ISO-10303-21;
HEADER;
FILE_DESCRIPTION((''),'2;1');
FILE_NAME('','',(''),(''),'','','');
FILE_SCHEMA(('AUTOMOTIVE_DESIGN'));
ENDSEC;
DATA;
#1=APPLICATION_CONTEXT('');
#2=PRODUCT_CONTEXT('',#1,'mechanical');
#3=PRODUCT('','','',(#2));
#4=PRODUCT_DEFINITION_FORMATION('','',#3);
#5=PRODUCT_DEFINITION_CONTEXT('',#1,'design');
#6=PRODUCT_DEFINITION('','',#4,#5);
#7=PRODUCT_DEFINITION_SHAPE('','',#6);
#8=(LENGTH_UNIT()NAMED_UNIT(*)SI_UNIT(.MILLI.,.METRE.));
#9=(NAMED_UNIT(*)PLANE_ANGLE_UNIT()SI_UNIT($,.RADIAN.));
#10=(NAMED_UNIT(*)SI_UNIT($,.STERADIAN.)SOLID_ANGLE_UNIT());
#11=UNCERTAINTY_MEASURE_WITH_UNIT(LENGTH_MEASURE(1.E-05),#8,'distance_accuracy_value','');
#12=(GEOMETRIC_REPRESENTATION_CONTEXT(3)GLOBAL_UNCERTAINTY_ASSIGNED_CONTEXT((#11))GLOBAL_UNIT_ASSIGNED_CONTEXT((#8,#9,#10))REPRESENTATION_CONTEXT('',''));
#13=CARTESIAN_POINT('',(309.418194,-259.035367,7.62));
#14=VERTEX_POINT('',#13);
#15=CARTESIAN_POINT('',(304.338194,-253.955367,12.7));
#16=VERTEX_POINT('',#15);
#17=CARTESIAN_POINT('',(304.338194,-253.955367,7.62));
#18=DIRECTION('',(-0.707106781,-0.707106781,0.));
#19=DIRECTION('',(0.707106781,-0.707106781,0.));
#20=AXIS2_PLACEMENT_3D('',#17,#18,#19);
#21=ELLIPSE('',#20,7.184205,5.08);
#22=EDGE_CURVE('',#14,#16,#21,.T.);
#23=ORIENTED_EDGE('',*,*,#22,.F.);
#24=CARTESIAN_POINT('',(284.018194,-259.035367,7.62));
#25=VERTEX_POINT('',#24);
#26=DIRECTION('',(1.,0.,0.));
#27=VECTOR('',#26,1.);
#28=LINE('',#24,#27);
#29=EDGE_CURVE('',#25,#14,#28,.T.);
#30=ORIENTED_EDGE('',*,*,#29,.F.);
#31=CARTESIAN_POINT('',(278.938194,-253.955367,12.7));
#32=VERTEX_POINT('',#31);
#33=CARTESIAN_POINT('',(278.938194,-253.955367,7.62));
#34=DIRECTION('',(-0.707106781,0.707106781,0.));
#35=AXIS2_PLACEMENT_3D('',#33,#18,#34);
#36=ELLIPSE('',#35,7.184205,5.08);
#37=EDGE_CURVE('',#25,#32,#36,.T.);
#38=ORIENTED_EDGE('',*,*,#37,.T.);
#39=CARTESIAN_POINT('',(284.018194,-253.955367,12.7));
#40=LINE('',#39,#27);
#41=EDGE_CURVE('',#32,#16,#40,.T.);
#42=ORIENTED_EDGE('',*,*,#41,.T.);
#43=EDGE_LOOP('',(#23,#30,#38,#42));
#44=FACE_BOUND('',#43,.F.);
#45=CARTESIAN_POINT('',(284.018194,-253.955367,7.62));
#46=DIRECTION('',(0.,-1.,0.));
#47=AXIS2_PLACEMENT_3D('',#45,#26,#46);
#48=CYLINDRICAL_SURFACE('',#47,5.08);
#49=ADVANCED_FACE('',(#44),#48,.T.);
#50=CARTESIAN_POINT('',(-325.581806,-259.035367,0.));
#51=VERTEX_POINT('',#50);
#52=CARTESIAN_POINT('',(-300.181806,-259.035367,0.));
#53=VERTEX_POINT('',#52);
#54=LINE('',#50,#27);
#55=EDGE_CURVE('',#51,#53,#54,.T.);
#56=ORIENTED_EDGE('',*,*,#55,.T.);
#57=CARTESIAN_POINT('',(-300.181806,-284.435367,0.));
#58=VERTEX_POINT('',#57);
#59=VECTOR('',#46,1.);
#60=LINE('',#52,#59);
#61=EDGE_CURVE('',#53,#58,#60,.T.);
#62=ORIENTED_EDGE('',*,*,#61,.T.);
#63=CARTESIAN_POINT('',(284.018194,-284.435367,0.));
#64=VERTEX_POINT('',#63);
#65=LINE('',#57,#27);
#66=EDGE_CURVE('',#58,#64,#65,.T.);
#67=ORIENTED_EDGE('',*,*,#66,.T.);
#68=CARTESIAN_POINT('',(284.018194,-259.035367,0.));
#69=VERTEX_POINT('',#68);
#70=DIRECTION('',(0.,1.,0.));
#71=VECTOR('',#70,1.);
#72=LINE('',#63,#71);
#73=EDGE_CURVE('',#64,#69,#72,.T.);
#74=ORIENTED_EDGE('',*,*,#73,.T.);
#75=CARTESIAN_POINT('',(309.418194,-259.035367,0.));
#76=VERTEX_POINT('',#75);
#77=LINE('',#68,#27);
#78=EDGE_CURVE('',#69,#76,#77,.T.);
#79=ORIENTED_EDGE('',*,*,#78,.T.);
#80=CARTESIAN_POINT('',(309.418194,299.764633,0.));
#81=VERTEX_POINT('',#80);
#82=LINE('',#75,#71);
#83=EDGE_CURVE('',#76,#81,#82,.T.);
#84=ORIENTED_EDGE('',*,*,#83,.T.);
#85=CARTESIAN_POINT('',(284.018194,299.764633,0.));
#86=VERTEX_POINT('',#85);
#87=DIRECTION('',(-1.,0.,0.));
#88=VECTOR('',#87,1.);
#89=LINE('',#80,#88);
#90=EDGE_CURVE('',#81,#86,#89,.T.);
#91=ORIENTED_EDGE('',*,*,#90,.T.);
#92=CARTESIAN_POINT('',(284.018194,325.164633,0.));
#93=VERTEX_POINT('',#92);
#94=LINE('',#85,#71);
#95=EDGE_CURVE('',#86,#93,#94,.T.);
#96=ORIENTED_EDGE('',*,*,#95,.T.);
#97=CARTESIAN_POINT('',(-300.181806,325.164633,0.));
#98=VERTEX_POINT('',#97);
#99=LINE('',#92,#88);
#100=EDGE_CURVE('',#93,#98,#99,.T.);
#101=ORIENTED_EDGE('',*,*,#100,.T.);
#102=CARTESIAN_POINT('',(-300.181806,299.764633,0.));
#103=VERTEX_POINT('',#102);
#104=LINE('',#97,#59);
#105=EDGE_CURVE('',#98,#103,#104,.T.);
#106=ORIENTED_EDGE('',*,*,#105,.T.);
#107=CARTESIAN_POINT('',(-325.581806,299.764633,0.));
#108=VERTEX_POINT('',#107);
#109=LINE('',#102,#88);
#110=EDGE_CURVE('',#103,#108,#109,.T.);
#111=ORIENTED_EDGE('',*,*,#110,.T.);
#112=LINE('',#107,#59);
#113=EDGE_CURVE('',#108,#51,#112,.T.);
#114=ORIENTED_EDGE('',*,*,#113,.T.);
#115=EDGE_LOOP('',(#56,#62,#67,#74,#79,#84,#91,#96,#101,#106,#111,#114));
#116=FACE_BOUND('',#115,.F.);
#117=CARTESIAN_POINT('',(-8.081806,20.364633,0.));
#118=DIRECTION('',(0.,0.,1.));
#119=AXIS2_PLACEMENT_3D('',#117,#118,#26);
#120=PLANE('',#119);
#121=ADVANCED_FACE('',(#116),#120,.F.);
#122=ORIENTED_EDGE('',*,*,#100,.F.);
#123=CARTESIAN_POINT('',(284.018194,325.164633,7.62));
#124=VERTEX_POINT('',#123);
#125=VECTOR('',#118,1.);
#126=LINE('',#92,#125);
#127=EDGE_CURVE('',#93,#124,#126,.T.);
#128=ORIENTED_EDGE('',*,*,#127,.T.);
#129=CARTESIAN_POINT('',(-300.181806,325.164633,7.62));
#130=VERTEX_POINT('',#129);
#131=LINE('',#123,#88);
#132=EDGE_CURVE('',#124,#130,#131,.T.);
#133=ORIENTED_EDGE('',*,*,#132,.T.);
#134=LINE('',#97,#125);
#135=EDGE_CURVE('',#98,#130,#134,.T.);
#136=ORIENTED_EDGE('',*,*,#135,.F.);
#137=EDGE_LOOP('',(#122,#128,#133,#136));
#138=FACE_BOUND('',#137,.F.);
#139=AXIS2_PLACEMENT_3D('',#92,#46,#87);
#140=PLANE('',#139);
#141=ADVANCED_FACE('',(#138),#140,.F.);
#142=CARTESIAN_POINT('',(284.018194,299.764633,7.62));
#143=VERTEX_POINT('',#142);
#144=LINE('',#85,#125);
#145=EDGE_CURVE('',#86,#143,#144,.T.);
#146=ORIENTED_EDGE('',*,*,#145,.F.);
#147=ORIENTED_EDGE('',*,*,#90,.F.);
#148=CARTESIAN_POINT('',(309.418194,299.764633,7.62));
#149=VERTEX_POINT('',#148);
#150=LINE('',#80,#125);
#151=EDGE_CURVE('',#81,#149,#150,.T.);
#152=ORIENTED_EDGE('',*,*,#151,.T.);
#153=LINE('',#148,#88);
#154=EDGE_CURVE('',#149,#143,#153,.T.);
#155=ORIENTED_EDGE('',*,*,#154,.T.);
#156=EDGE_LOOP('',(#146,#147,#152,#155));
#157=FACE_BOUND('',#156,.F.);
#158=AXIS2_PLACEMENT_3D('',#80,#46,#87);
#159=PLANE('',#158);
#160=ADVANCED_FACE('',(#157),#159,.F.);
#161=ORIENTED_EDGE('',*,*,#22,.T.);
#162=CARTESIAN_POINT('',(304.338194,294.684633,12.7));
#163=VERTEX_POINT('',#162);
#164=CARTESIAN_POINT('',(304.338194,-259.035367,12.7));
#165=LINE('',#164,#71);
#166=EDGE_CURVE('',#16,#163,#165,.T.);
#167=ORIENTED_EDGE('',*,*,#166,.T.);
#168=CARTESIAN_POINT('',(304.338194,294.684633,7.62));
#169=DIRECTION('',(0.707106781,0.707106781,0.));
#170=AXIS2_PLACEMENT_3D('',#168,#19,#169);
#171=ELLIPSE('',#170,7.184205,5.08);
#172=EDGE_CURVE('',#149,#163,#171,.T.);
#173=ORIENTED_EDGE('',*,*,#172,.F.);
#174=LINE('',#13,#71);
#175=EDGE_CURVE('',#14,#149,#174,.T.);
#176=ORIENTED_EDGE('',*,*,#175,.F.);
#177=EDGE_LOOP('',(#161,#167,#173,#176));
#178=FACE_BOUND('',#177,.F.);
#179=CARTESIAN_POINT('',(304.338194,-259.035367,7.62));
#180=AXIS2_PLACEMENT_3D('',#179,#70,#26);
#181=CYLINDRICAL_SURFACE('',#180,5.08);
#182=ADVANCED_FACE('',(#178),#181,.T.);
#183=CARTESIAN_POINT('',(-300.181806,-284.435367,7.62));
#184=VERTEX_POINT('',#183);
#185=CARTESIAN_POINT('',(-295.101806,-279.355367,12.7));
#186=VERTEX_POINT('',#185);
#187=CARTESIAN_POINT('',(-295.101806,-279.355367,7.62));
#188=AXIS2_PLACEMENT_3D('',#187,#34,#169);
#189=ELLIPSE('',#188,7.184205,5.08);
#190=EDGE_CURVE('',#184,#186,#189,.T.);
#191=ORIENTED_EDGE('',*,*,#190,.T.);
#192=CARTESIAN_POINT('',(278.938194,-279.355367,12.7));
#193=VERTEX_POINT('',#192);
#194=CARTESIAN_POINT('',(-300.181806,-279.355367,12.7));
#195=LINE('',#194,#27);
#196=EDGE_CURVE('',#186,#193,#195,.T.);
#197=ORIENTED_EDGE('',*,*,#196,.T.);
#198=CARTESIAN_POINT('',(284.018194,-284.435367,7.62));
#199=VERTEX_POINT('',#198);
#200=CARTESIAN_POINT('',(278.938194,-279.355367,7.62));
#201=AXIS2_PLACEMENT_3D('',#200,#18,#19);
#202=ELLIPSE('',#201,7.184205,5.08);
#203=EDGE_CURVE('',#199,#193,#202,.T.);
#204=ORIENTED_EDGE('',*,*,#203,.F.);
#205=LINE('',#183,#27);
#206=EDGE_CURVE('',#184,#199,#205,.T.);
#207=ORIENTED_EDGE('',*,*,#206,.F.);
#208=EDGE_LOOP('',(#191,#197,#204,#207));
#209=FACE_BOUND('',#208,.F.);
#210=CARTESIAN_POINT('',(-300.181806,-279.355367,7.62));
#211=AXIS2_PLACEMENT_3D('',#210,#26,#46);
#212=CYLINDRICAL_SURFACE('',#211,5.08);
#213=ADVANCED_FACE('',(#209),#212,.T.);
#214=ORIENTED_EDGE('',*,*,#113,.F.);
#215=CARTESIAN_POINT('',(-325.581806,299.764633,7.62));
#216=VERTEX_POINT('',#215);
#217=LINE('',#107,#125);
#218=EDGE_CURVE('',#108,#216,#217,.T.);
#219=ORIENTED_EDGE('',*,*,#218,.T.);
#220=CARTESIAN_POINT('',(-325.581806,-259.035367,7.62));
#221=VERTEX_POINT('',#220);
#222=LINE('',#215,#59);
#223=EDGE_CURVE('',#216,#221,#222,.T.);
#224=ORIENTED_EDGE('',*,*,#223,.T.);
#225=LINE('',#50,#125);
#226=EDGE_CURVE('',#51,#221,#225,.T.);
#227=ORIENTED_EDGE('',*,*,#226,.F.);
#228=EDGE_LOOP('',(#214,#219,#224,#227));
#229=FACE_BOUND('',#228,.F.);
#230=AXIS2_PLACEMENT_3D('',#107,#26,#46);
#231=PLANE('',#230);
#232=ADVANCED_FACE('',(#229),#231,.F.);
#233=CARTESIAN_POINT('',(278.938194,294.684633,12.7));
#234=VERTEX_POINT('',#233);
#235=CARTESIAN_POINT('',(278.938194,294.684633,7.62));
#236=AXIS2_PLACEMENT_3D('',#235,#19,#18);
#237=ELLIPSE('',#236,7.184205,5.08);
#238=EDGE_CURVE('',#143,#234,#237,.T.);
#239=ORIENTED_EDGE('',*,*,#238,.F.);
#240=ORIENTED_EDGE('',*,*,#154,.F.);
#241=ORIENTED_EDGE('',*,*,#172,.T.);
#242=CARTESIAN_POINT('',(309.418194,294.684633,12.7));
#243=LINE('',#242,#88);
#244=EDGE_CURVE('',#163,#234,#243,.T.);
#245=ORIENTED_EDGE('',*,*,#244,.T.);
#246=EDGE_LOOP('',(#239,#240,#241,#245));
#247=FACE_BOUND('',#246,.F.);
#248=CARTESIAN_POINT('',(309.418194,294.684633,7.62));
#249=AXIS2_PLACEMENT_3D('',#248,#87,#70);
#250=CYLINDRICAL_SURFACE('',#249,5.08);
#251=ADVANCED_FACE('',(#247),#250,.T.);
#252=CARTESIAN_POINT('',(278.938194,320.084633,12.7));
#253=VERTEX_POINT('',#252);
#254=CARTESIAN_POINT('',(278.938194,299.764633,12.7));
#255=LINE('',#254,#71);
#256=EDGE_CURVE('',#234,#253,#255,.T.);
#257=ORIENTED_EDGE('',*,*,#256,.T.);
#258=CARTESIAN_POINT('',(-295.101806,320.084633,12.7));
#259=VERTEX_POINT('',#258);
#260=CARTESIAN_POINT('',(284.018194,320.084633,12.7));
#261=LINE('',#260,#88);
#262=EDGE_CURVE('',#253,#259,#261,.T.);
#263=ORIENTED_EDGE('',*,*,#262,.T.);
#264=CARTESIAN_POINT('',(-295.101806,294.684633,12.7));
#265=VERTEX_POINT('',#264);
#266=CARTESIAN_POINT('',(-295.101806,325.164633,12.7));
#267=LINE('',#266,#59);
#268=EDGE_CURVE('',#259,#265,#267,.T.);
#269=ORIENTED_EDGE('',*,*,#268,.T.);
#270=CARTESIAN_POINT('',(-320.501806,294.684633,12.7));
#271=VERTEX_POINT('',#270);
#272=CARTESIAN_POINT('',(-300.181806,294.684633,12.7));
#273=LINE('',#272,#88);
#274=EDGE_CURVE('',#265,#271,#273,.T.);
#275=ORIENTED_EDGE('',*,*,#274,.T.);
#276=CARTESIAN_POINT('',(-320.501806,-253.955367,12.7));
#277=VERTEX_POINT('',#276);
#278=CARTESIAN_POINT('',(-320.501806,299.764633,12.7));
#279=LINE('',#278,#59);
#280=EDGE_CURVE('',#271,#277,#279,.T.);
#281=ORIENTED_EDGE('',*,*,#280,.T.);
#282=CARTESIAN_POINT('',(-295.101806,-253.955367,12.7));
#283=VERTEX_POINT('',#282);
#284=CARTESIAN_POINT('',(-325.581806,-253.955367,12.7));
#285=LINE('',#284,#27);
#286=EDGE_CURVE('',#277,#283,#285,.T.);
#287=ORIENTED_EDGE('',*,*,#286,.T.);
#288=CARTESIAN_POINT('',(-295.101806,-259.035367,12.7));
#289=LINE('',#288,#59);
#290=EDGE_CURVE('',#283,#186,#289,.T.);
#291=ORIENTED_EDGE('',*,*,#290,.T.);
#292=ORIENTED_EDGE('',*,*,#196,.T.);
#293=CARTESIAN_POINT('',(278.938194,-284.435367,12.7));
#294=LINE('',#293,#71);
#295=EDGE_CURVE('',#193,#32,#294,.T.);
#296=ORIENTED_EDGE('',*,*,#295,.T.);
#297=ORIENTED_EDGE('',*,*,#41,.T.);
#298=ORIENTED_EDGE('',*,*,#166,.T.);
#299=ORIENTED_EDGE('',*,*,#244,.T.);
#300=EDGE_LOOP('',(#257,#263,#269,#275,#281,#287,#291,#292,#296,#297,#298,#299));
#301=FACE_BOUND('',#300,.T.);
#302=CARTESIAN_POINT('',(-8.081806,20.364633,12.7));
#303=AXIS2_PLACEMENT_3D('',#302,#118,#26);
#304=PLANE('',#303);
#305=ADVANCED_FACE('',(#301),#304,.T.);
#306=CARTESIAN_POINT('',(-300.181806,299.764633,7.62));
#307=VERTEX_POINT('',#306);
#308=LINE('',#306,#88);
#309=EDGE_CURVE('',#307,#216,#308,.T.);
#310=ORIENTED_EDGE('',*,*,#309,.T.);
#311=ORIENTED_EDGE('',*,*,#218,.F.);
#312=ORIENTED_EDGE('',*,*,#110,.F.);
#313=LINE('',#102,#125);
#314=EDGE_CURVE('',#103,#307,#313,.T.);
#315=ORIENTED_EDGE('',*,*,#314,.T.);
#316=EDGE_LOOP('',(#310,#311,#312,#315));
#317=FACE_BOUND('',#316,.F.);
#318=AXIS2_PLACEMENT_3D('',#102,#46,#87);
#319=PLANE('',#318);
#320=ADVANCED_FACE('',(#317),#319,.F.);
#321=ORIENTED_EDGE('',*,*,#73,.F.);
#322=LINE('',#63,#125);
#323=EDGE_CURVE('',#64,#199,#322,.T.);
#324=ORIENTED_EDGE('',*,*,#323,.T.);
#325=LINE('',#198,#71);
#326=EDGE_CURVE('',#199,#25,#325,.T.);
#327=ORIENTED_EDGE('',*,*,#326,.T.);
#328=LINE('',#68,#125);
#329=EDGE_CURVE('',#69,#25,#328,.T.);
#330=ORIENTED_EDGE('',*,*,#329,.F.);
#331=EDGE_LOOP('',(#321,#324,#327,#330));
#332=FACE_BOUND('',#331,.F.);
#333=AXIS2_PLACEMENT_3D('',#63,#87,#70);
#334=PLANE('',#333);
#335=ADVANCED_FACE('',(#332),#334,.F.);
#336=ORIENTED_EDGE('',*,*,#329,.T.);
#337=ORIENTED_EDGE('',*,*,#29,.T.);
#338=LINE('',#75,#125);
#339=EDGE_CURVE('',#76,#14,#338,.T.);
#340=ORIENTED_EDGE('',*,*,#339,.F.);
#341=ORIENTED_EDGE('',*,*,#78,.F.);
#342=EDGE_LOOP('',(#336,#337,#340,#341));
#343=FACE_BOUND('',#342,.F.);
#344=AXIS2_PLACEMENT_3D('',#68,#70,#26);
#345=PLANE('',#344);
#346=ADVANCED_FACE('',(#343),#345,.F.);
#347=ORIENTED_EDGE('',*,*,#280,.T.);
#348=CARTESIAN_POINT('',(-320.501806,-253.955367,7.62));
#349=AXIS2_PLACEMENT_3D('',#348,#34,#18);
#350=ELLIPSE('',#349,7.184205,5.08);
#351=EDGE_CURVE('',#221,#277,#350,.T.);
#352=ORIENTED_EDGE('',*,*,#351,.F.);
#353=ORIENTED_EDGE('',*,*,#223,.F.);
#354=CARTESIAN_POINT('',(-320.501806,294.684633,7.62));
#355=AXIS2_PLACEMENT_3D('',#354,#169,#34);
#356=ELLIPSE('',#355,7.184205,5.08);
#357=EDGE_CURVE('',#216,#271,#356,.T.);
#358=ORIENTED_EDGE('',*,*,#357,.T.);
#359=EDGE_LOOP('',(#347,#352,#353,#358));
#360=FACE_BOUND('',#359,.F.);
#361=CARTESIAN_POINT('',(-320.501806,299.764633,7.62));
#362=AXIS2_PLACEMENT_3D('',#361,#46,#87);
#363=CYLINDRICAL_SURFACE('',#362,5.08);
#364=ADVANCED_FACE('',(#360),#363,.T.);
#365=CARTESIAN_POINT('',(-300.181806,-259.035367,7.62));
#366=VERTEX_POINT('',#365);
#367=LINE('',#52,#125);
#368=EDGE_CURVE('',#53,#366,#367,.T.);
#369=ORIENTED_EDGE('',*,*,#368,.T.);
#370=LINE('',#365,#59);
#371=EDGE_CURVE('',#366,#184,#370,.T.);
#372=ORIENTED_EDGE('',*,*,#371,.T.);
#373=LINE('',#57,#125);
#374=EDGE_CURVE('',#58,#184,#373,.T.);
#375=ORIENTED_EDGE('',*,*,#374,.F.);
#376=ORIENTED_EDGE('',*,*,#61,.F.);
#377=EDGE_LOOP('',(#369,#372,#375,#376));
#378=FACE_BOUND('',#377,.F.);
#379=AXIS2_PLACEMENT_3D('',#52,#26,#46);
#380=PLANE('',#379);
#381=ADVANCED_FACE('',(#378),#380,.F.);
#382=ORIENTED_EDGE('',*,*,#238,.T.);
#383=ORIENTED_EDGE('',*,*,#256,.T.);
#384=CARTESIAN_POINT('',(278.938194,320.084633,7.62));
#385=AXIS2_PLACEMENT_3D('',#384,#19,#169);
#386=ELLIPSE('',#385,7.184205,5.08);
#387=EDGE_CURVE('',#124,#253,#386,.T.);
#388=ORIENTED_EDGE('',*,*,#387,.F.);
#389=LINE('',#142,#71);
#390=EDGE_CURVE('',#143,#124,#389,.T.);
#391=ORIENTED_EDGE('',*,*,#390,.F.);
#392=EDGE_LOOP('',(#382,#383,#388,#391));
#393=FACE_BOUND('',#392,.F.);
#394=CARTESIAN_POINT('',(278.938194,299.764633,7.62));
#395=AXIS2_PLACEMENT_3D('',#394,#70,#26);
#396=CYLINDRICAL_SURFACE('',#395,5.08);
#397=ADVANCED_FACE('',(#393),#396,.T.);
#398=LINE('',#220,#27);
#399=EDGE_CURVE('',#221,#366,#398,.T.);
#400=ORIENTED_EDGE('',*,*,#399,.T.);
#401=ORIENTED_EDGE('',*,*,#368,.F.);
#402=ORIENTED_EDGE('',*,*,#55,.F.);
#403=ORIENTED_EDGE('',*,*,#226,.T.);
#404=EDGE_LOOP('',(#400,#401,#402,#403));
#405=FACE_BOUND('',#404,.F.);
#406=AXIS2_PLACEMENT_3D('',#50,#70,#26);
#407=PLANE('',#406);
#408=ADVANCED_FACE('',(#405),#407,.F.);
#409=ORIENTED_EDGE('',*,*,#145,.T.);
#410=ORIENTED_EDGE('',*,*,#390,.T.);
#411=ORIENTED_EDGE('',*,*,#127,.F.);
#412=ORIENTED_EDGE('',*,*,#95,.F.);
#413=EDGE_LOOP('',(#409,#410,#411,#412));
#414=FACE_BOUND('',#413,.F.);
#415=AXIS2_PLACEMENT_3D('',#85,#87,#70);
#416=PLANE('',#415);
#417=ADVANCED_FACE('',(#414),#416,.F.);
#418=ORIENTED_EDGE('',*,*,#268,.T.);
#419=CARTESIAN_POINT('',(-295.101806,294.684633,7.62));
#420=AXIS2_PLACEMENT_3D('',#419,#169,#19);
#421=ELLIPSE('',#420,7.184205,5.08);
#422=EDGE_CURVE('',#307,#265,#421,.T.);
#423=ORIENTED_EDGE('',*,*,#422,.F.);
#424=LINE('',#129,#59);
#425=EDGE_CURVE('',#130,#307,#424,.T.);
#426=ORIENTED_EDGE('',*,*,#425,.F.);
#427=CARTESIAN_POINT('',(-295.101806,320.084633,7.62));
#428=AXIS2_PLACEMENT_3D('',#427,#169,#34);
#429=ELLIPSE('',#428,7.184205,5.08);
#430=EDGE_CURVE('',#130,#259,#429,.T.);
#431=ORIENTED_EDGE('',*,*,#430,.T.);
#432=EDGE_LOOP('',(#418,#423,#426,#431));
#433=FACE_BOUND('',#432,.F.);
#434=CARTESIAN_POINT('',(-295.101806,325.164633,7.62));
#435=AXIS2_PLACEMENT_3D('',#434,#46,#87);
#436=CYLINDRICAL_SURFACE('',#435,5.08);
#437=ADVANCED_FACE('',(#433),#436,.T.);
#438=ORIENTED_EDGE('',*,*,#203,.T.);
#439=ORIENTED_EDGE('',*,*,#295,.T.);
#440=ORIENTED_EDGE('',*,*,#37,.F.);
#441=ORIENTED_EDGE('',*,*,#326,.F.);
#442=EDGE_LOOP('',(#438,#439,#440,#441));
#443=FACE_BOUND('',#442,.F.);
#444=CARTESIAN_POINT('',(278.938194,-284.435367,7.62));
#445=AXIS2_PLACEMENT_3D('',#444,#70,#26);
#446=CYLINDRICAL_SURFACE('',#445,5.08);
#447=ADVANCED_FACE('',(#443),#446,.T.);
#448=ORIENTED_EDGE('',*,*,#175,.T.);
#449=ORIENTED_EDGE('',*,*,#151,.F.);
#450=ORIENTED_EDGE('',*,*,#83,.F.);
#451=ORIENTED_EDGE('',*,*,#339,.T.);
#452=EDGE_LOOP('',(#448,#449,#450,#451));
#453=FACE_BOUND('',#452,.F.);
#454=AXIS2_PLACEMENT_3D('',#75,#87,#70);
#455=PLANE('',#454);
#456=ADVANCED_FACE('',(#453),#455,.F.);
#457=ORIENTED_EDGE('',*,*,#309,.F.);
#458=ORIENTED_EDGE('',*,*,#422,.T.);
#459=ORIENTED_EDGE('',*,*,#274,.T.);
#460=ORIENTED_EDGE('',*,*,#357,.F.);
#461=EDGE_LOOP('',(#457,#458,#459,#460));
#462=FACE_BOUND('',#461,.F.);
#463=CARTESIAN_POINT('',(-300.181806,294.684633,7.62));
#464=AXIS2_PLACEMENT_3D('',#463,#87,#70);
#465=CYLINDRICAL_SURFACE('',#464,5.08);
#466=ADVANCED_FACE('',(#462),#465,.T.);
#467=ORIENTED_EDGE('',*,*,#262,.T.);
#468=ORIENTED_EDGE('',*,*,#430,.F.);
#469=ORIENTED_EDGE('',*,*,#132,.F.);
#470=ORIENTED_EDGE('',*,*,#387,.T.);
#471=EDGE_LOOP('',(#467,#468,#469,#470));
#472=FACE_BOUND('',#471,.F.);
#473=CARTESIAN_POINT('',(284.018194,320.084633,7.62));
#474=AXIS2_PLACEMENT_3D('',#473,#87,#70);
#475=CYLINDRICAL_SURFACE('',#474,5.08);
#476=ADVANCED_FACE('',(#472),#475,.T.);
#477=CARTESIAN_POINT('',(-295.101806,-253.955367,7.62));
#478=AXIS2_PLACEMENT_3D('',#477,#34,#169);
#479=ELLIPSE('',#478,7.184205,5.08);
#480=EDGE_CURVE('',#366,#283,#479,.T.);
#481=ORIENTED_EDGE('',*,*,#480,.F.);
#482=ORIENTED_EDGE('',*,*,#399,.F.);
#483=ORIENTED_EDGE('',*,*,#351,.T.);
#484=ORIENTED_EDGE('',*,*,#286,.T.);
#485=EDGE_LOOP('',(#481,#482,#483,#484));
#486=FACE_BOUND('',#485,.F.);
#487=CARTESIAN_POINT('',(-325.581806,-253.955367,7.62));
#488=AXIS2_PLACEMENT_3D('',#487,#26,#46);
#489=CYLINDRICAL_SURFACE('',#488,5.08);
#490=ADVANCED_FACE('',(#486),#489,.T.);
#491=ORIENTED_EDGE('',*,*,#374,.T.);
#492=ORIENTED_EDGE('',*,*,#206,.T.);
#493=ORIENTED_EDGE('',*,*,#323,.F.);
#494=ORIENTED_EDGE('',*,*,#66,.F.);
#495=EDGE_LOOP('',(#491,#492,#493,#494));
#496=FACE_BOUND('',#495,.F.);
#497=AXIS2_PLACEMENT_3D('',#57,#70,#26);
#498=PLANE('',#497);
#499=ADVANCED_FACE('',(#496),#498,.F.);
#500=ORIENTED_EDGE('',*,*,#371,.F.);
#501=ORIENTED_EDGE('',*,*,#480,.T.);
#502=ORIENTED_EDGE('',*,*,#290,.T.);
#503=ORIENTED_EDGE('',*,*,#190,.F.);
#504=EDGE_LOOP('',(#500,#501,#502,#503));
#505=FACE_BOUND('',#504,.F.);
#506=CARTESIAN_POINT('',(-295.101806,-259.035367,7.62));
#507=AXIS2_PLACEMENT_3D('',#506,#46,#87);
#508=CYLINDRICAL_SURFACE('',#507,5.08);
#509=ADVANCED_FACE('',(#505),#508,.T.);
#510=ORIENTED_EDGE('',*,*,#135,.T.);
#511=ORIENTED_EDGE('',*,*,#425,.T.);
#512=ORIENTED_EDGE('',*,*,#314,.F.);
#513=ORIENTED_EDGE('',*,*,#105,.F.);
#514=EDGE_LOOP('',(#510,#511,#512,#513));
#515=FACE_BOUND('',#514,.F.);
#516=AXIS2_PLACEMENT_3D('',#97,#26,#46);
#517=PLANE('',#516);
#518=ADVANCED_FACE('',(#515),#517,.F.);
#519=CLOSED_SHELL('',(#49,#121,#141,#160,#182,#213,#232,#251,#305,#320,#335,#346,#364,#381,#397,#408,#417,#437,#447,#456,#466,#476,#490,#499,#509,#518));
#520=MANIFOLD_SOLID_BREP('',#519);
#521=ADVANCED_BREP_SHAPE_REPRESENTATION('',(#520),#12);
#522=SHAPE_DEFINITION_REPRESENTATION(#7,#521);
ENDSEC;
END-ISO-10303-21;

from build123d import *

# Parameters (mm, degrees)
F1_DEPTH = 12.7
F2_R     = 5.08


with BuildPart() as f1:
    # F0 (on Top) → F1 (new body)
    with BuildSketch(Plane.XY):
        Polygon((-300.1818060875, -284.4353668213), (284.0181939125, -284.4353668213), (284.0181939125, -259.0353668213), (309.4181939125, -259.0353668213), (309.4181939125, 299.7646331787), (284.0181939125, 299.7646331787), (284.0181939125, 325.1646331787), (-300.1818060875, 325.1646331787), (-300.1818060875, 299.7646331787), (-325.5818060875, 299.7646331787), (-325.5818060875, -259.0353668213), (-300.1818060875, -259.0353668213), align=None)
    extrude(amount=F1_DEPTH)

    # F2
    f2_edges = [f1.edges().sort_by_distance(p)[0] for p in [
        (-8.081806, -284.435367, 12.7),
        (284.018194, -271.735367, 12.7),
        (296.718194, -259.035367, 12.7),
        (309.418194, 20.364633, 12.7),
        (296.718194, 299.764633, 12.7),
        (284.018194, 312.464633, 12.7),
        (-8.081806, 325.164633, 12.7),
        (-300.181806, 312.464633, 12.7),
        (-312.881806, 299.764633, 12.7),
        (-325.581806, 20.364633, 12.7),
        (-312.881806, -259.035367, 12.7),
        (-300.181806, -271.735367, 12.7),
    ]]
    fillet(f2_edges, radius=F2_R)


solid = f1.part
